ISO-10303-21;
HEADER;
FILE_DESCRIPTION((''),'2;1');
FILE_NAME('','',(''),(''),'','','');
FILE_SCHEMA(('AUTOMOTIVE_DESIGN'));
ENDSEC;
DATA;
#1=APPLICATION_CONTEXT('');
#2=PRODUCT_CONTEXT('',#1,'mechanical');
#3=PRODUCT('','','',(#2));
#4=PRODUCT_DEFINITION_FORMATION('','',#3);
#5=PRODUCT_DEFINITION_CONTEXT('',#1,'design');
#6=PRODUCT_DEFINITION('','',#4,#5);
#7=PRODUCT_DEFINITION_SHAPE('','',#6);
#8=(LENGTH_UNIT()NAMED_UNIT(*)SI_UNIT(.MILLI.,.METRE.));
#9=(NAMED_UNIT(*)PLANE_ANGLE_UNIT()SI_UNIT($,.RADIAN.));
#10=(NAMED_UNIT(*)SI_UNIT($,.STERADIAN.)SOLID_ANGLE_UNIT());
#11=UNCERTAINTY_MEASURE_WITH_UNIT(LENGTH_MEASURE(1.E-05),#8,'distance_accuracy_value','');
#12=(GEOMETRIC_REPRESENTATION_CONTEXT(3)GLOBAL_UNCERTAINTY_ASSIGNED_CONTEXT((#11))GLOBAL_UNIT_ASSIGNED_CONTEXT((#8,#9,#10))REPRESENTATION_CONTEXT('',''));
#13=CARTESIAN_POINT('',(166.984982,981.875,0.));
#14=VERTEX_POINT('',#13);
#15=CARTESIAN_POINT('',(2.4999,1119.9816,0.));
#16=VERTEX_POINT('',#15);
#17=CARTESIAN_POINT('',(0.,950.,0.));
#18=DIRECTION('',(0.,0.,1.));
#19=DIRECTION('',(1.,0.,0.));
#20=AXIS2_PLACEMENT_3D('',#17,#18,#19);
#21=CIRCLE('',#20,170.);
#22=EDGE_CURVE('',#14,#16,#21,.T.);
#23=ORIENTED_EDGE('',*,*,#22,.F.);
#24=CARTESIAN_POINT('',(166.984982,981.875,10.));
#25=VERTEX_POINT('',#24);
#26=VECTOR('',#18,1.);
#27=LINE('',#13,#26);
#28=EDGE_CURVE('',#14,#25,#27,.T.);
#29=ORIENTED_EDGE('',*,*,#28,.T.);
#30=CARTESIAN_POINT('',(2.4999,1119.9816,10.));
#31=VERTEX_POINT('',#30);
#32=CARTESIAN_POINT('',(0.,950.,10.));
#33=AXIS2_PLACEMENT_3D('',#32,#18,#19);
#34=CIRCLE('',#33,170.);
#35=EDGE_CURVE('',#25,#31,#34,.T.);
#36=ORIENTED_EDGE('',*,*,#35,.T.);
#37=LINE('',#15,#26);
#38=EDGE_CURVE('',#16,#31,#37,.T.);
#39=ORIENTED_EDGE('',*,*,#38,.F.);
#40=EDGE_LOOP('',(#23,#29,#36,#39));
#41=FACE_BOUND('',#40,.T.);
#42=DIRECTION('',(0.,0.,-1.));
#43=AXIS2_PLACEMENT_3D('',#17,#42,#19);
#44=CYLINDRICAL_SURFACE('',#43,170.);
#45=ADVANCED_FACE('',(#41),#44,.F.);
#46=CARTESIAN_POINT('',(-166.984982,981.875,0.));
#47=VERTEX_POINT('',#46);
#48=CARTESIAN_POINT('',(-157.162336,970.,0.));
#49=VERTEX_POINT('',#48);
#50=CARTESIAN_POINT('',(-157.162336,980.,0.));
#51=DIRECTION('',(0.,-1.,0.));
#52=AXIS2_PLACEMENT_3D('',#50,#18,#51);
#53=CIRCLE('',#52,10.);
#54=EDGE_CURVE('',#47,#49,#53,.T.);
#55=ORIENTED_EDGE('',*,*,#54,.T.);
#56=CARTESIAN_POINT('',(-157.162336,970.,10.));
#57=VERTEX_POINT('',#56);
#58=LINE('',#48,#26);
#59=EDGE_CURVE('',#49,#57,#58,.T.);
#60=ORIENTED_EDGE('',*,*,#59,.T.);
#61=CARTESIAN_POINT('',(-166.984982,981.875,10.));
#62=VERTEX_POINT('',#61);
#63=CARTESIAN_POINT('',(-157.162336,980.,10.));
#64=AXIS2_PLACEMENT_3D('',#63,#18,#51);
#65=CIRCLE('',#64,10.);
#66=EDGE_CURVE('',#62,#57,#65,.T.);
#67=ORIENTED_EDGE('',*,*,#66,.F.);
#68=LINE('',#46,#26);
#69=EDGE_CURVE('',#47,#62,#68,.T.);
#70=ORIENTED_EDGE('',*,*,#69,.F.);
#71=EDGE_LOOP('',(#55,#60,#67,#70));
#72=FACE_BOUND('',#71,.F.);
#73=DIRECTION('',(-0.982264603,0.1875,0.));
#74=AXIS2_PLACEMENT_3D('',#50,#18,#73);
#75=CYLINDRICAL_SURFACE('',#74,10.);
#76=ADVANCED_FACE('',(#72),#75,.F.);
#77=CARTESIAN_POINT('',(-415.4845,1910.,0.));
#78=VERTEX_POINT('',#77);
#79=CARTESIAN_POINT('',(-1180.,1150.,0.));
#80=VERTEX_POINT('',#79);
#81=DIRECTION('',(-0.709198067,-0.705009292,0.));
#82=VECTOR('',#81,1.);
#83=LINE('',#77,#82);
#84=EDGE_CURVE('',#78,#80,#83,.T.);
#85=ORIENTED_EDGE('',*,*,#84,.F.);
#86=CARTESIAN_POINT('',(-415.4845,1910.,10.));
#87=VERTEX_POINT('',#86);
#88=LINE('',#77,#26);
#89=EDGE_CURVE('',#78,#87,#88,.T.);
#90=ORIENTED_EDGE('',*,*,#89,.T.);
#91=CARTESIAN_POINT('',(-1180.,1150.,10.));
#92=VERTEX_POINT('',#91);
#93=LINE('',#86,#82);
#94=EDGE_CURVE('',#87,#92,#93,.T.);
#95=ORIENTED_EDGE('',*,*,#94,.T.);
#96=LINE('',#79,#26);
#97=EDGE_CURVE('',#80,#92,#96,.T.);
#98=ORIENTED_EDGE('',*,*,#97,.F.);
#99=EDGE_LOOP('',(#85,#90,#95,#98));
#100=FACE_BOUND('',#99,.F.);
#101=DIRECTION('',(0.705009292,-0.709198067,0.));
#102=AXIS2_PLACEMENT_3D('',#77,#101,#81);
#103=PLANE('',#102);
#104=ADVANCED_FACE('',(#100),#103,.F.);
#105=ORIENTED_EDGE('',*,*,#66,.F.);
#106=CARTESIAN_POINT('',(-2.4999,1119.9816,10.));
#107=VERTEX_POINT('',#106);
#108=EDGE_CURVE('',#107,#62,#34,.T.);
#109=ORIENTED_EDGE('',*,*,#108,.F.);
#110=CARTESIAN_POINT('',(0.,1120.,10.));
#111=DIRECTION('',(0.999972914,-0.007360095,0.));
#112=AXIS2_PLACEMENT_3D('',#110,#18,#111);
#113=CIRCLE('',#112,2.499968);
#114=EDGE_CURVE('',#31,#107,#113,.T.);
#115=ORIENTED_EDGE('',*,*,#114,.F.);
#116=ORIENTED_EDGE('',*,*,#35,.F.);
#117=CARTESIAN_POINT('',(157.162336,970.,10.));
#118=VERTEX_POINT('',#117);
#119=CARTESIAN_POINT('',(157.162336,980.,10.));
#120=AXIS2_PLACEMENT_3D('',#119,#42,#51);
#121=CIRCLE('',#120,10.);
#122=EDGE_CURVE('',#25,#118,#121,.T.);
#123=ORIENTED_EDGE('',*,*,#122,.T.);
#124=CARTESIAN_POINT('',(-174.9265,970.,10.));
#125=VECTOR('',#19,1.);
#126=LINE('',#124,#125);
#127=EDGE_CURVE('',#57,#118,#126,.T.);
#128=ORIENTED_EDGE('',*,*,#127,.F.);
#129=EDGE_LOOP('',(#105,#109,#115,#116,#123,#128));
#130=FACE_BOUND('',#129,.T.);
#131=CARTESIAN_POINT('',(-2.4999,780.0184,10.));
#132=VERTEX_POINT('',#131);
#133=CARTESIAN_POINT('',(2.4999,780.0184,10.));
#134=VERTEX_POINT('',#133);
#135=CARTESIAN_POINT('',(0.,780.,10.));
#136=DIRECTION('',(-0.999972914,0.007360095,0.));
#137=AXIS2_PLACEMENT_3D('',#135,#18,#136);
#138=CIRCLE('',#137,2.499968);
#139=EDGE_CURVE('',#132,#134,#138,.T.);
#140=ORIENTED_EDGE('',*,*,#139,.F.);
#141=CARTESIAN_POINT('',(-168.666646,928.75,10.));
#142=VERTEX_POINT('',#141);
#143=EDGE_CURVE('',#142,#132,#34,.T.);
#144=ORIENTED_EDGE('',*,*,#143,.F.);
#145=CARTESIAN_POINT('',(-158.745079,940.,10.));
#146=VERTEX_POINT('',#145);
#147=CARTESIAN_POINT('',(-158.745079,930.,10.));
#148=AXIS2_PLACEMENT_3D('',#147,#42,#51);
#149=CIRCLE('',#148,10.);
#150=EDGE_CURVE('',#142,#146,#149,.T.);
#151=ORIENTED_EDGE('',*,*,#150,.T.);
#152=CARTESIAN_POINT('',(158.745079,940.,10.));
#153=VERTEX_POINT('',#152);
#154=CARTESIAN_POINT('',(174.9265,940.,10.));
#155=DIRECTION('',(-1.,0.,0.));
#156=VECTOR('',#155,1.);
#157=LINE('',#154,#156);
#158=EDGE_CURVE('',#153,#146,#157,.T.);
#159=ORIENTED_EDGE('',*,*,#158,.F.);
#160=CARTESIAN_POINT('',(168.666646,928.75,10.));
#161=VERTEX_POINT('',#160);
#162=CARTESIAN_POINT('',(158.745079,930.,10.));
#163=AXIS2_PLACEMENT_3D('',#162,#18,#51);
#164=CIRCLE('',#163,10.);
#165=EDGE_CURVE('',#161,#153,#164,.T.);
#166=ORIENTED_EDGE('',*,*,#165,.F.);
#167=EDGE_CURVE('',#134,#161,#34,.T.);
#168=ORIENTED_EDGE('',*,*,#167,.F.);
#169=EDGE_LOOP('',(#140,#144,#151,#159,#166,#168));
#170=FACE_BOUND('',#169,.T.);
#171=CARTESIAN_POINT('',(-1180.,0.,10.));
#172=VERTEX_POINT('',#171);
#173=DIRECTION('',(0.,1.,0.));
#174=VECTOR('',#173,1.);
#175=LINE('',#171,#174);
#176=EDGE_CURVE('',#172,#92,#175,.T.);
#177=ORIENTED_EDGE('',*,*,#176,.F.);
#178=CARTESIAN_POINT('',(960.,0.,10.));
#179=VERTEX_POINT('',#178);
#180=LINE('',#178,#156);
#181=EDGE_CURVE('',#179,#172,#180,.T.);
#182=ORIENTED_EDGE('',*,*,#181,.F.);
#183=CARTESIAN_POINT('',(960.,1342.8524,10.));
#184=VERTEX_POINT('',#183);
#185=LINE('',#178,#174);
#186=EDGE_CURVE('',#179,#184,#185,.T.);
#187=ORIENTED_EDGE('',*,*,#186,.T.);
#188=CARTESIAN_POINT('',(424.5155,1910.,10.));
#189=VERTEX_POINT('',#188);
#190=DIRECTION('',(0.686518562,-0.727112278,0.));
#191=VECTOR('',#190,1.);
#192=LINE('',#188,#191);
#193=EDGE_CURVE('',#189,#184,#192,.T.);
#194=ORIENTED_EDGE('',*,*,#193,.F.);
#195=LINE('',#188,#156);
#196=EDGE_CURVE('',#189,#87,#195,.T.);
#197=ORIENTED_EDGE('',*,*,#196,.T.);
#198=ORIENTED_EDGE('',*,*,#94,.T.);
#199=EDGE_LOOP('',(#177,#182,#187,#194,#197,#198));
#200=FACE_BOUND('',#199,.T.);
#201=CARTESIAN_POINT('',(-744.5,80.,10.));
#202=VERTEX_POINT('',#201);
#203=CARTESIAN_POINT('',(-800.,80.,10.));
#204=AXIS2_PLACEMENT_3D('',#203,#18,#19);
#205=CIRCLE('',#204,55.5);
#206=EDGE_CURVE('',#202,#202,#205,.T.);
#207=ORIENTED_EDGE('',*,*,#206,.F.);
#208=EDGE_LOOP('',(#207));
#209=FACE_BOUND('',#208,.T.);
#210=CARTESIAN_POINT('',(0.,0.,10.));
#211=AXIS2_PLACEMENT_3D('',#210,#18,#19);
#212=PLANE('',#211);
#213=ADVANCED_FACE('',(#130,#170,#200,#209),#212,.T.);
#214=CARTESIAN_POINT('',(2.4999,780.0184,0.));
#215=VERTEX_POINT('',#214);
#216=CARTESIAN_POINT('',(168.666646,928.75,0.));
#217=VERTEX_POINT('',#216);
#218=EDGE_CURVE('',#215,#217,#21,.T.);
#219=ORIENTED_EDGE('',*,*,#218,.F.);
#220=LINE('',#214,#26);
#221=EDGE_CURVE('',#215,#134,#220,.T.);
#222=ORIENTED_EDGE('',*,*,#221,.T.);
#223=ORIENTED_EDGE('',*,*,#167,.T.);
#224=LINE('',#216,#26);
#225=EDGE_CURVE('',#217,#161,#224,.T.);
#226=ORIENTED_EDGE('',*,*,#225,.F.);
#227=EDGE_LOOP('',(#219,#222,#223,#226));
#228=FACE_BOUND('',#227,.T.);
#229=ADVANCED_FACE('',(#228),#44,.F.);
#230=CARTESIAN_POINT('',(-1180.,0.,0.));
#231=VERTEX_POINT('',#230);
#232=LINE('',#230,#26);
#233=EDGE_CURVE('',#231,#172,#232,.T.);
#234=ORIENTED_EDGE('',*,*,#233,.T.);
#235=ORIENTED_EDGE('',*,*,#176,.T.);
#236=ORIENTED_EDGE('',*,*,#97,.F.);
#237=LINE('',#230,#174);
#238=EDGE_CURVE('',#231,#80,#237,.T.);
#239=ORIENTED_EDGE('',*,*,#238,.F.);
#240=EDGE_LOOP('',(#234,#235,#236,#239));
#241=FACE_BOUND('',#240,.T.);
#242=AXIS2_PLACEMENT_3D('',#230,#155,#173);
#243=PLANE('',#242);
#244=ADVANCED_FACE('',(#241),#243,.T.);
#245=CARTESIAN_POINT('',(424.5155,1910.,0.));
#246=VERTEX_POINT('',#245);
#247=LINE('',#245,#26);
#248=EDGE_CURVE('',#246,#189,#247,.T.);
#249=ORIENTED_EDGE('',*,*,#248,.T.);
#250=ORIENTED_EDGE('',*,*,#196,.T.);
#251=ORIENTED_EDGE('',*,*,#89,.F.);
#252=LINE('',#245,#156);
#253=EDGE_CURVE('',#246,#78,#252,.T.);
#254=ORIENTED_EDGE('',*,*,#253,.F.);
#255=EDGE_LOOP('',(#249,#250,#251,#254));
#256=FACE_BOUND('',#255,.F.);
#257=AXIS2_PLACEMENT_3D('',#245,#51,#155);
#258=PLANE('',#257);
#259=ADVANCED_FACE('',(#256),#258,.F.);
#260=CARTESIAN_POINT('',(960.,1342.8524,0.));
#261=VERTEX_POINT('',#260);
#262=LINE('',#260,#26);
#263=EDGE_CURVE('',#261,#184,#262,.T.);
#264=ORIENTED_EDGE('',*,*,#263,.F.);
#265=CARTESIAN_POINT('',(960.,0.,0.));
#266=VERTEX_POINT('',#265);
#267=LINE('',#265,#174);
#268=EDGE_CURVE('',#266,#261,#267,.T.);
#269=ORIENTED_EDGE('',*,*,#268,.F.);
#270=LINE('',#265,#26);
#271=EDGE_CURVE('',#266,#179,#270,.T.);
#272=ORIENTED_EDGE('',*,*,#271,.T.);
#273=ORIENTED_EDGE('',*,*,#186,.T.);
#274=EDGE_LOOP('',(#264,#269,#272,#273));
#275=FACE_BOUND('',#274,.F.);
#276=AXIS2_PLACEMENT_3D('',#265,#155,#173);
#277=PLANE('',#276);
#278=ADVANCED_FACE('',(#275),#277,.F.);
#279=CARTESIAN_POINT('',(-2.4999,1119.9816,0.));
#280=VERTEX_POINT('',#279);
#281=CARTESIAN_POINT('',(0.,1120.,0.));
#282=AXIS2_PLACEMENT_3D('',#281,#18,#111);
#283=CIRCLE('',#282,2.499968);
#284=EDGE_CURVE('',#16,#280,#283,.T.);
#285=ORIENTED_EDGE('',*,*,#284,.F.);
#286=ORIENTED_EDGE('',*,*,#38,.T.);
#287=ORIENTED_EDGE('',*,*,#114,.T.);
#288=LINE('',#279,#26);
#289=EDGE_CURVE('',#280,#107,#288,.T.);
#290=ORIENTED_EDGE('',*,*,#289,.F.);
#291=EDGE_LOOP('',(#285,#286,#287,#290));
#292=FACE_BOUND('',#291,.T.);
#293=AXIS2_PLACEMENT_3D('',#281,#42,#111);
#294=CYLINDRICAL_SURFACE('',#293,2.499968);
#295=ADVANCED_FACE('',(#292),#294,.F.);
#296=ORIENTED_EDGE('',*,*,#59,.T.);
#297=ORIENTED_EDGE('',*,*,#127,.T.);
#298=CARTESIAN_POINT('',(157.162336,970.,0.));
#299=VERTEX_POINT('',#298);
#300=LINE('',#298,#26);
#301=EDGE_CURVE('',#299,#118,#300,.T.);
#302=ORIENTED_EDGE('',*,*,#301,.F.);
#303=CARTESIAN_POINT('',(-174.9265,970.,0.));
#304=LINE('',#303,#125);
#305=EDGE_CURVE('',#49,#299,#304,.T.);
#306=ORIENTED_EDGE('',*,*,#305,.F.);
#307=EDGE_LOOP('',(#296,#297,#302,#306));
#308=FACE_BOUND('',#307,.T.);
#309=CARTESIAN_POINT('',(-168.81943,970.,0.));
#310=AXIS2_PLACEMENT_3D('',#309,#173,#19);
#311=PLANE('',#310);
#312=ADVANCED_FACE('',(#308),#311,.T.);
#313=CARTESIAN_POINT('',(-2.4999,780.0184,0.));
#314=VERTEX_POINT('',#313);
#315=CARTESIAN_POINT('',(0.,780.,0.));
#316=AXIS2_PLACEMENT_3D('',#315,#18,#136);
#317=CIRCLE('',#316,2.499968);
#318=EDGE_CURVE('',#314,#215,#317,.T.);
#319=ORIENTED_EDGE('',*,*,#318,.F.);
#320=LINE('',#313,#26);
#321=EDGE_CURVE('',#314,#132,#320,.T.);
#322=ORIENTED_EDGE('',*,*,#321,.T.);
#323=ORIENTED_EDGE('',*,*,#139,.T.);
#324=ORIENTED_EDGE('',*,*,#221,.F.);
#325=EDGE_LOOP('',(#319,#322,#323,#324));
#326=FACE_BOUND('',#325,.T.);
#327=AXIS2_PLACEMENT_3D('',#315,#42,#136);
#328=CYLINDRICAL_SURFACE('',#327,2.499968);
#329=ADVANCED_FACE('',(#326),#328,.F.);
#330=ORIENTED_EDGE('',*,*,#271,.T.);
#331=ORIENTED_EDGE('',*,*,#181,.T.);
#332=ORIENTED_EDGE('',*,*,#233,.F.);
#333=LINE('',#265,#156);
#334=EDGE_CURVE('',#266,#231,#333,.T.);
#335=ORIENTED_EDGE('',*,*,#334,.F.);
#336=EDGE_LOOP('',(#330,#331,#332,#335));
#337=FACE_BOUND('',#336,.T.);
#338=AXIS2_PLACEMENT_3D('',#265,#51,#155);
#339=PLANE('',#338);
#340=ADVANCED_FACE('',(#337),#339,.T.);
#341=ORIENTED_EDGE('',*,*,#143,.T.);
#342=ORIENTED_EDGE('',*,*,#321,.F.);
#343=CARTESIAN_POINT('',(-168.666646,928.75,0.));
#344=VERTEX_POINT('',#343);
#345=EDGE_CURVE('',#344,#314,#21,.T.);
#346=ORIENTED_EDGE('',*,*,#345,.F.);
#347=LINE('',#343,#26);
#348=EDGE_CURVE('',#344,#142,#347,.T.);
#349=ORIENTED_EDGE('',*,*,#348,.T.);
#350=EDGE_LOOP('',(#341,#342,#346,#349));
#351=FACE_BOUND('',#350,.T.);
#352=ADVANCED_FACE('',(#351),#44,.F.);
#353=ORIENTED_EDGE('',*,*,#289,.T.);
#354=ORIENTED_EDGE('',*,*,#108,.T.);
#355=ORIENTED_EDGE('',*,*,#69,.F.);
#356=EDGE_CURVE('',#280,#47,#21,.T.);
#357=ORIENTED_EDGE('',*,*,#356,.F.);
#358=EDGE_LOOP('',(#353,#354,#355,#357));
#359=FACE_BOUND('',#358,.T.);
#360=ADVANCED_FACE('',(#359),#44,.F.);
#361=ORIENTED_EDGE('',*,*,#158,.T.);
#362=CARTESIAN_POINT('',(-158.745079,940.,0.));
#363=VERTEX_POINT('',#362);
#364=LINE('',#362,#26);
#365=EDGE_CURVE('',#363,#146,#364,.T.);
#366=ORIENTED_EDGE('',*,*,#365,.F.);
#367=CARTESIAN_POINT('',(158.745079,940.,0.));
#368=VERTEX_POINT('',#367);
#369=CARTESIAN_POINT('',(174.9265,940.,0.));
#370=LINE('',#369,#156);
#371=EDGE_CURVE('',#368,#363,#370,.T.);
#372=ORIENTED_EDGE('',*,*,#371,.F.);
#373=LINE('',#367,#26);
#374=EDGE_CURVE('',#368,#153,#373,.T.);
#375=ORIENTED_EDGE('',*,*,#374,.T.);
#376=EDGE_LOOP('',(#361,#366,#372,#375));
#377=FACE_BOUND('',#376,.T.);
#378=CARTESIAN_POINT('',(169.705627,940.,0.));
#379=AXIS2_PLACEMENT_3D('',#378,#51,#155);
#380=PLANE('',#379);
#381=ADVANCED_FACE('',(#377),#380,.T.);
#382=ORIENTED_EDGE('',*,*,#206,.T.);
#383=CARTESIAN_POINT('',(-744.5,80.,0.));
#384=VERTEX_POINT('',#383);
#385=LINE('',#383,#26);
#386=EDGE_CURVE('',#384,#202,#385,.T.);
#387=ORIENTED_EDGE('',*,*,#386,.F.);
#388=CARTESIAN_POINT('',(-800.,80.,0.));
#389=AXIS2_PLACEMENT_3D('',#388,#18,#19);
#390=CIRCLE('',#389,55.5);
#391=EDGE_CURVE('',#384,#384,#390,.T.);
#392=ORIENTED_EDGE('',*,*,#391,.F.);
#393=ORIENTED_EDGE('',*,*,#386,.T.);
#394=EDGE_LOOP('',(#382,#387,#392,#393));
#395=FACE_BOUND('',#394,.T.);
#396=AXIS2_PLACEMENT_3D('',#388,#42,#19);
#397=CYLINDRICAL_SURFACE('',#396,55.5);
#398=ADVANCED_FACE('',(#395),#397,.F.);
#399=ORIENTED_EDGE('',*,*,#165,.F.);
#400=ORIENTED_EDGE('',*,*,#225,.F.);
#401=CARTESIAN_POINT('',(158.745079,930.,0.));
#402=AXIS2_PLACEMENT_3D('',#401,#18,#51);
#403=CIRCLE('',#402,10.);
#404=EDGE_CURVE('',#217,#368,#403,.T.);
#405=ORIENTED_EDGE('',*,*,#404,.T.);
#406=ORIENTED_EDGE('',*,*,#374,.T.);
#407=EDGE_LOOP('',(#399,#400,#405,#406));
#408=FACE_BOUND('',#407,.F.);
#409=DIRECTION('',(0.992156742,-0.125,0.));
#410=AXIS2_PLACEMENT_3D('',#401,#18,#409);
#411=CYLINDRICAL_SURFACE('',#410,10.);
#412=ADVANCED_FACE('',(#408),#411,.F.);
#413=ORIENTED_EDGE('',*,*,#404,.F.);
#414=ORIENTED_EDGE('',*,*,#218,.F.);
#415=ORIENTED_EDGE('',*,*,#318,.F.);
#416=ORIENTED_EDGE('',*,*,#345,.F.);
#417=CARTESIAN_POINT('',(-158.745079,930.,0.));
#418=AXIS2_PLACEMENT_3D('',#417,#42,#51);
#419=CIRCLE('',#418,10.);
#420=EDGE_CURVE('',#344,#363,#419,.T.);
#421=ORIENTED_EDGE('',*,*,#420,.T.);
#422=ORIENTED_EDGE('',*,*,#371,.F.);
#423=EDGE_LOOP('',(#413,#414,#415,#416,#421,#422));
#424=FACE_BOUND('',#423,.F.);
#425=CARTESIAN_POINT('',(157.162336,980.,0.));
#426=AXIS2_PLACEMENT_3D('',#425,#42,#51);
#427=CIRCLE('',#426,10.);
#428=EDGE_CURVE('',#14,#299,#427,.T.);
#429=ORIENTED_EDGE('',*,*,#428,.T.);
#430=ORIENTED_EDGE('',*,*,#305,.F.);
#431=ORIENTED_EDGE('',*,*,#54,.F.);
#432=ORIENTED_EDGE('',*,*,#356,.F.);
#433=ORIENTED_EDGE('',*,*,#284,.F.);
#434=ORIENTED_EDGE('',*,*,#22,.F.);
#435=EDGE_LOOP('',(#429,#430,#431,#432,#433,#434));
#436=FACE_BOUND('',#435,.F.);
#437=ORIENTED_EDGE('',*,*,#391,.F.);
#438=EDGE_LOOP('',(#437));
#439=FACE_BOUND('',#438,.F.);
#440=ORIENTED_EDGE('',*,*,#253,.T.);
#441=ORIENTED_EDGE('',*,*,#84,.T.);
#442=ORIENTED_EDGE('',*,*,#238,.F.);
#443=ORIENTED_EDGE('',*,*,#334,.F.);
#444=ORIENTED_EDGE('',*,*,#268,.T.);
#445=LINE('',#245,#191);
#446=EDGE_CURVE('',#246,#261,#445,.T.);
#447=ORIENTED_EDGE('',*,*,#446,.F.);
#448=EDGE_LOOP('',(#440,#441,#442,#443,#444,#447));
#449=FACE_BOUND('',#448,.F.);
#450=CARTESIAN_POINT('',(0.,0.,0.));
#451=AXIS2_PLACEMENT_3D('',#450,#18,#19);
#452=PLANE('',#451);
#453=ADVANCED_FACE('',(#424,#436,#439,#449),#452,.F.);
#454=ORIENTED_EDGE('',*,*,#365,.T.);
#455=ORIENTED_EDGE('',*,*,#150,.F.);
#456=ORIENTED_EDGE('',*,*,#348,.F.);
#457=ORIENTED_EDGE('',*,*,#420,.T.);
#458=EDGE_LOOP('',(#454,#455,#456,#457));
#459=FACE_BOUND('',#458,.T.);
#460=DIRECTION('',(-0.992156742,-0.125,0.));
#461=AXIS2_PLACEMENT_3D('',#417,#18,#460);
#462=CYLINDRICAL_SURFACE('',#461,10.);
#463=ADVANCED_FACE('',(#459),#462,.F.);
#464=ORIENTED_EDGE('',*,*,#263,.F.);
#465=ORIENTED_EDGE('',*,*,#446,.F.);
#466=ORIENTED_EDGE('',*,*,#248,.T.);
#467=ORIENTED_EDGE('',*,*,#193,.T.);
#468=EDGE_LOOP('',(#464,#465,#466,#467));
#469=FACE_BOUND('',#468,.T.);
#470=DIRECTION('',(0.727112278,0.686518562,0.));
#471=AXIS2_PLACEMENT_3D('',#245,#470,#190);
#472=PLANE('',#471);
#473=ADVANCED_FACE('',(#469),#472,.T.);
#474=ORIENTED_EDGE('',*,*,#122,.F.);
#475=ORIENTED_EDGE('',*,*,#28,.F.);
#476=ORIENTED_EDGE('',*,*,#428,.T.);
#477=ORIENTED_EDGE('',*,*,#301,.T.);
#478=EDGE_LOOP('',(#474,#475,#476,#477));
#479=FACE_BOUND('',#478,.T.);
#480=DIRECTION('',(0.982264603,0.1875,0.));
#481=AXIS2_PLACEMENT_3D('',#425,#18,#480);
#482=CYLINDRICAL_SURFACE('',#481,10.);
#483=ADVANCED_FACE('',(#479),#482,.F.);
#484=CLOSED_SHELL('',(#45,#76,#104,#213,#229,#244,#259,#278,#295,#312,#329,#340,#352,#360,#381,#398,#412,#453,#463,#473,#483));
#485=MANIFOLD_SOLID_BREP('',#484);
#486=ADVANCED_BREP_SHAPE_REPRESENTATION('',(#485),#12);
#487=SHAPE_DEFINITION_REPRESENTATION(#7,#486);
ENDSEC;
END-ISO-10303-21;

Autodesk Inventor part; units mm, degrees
ref_plane "YZ Plane" through (0, 0, 0) normal (1, 0, 0) x (0, 1, 0)
ref_plane "XZ Plane" through (0, 0, 0) normal (0, 1, 0) x (-1, 0, 0)
ref_plane "XY Plane" through (0, 0, 0) normal (0, 0, 1) x (1, 0, 0)
sketch "Sketch1" plane through (0, 0, 0) normal (0, 0, 1) x (1, 0, 0)
  line L0 (0, 0) -> (0, 1910) construction
  line L1 (424.5155, 1910) -> (-415.4845, 1910)
  line L2 (-415.4845, 1910) -> (-1180, 1150)
  line L3 (-1180, 0) -> (-1180, 1150)
  line L4 (960, 0) -> (960, 1342.8524)
  line L5 (424.5155, 1910) -> (960, 1342.8524)
  circle A0 centre (0, 950) radius 265 construction
  line L6 (960, 0) -> (-1180, 0)
  circle A1 centre (-1701.6377, -269.2167) radius 188.5 construction
  circle A2 centre (-800, 80) radius 55.5
  circle A3 centre (0, 950) radius 170
  line L7 (0, 1215) -> (0, 1120) construction
  line L8 (-721.2646, 955) -> (721.2646, 955) construction
  line L9 (-169.9265, 955) -> (-174.9265, 955) construction
  line L10 (-174.9265, 960) -> (-174.9265, 950)
  line L11 (-174.9265, 960) -> (-169.7056, 960)
  line L12 (-174.9265, 950) -> (-170, 950)
  line L13 (169.9265, 955) -> (174.9265, 955) construction
  line L14 (174.9265, 960) -> (174.9265, 950)
  line L15 (169.7056, 960) -> (174.9265, 960)
  line L16 (174.9265, 950) -> (170, 950)
  line L17 (-174.9265, 970) -> (174.9265, 970)
  line L18 (174.9265, 970) -> (174.9265, 940)
  line L19 (174.9265, 940) -> (-174.9265, 940)
  line L20 (-174.9265, 940) -> (-174.9265, 970)
  arc A4 (-2.4999, 780.0184) -> (2.4999, 780.0184) centre (0, 780) ccw
  arc A5 (2.4999, 1119.9816) -> (-2.4999, 1119.9816) centre (0, 1120) ccw
  point P0 (0, 955)
  point P1 (-169.7056, 940)
  point P2 (169.7056, 940)
  point P3 (168.8194, 970)
  point P4 (-168.8194, 970)
  dimension "d52" = 530
  dimension "d72" = 340
  dimension "d1" = 840
  dimension "d3" = 1150
  dimension "d12" = 1180
  dimension "d13" = 950
  dimension "d14" = 111
  dimension "d15" = 1910
  dimension "d17" = -521.6377
  dimension "d18" = 377
  dimension "d19" = -269.2167
  dimension "d34" = 380
  dimension "d35" = 80
  dimension "d37" = 2140
  dimension "d53" = 5
  dimension "d54" = 10
  dimension "d55" = 30
  dimension "d67" = 5
  dimension "d68" = 5
  dimension "d69" = 780
  dimension "d71" = 1078
extrude "Extrusion1" add sketch "Sketch1" along normal blind 10 contours L5 L4 L6 L3 L2 L1 | A3 L19 L17 | L16 L18 L19 A3 | A3 L15 L14 L16 | A3 L17 L18 L15 | L19 L20 L12 A3 | A3 L11 L20 L17 | L12 L10 L11 A3
fillet "Fillet1" radius 10 4 edges at (-168.8194, 970, 5) (-169.7056, 940, 5) (168.8194, 970, 5) (169.7056, 940, 5)
sketch "Sketch4" plane through (0, 0, 0) normal (0, 0, 1) x (1, 0, 0)
  circle A0 centre (-51.6989, 1209.9081) radius 6.5
  arc A1 (-2.4999, 1119.9816) -> (-166.985, 981.875) centre (0, 950) ccw projected
  line L0 (0, 950) -> (0, 1196.7062) construction
  line L1 (-51.6989, 1209.9081) -> (0, 950) construction
  point P0 (0, 0)
  point P1 (-5, 1149.9375)
  dimension "d59" = 265
  dimension "d60" = 13
  dimension "d61" = 11.25
extrude "Extrusion4" [suppressed]
pattern_circular "Circular Pattern3" [suppressed]
properties part number "ДМФ 011 Стенка_Корма"
